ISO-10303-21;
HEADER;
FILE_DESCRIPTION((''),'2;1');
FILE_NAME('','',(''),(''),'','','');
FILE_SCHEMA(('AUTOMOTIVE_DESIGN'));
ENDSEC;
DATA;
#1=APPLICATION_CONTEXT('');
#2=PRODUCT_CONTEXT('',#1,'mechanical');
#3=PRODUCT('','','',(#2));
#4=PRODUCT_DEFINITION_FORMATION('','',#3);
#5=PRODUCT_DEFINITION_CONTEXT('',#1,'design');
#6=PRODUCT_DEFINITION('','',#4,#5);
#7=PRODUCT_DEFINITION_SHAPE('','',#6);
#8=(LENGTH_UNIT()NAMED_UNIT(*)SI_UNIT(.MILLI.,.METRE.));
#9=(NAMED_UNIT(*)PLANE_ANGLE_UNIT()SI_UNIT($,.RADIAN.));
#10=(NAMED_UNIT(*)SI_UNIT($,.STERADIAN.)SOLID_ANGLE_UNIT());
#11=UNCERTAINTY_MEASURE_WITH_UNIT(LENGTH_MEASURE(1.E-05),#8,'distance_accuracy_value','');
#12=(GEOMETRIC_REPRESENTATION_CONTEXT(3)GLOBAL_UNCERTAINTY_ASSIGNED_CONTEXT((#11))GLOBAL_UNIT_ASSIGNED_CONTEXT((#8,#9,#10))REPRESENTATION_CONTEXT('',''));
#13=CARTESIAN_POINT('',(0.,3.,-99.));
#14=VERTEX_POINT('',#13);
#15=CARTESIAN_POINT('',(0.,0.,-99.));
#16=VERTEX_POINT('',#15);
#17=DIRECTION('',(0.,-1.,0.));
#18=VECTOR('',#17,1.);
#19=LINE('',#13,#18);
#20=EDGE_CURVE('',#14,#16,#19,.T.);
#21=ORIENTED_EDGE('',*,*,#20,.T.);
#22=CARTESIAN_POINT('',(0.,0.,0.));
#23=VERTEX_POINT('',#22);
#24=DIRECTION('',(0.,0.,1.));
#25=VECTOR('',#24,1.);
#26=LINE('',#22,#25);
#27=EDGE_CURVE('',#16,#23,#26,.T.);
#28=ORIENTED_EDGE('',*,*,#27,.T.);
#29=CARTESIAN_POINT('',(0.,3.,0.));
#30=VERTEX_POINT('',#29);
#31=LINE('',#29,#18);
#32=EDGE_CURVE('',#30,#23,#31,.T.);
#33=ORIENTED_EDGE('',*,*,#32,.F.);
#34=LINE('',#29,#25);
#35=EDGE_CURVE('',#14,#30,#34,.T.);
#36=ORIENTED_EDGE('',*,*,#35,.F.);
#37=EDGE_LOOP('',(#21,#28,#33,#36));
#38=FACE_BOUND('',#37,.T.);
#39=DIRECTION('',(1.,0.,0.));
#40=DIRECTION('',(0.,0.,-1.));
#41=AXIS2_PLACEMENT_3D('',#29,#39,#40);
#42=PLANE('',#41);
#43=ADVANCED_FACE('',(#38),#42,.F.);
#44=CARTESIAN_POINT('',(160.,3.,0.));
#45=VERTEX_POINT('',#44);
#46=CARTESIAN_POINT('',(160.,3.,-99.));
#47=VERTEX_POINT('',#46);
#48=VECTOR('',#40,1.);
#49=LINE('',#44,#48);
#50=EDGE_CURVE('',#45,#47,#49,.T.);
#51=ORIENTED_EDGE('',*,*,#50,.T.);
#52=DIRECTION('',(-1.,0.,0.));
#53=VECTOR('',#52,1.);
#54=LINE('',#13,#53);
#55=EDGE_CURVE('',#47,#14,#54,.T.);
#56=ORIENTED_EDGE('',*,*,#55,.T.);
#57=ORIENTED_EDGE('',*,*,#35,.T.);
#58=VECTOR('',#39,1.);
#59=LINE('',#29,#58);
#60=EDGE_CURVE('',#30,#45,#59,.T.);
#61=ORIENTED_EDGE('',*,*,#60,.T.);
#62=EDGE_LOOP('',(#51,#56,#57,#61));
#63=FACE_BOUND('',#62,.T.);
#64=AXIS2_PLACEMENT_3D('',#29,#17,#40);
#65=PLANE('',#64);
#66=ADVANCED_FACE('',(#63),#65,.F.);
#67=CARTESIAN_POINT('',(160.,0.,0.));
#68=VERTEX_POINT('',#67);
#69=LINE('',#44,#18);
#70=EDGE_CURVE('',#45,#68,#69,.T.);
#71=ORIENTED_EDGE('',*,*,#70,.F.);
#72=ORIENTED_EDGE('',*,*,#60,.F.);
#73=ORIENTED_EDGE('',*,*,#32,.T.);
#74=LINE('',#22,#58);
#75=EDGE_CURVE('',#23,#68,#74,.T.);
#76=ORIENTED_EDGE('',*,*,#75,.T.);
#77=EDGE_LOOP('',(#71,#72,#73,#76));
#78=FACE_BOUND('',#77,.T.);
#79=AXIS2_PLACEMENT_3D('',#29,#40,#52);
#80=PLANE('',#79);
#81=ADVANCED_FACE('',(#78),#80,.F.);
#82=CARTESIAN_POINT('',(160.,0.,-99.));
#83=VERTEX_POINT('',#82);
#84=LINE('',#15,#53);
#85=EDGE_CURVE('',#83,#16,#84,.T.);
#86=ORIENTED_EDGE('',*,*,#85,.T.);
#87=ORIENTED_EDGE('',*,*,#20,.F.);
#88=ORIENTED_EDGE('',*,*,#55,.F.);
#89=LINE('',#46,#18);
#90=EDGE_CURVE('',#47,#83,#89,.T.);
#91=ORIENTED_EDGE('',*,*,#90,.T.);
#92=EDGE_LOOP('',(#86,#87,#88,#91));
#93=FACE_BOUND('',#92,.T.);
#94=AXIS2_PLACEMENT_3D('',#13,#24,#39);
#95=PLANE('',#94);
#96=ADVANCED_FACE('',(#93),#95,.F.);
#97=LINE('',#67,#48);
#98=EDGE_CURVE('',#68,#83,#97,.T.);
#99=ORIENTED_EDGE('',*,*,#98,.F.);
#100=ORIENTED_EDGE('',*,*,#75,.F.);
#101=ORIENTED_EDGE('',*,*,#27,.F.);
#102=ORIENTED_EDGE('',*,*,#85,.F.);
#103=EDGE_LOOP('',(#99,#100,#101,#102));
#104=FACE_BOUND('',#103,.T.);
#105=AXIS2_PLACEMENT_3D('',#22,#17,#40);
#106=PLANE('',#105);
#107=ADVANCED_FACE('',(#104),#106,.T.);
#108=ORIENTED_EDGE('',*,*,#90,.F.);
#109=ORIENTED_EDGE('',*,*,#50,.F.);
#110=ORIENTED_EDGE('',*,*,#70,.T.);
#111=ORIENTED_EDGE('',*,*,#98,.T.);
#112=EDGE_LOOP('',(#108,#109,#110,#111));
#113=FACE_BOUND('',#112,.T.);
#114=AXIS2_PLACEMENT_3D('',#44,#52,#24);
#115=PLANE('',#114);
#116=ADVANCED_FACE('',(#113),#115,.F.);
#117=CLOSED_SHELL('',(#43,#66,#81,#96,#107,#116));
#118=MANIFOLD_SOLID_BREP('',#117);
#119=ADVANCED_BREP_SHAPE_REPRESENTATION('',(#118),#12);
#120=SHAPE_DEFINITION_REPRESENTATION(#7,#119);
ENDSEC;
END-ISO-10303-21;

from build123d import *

# Parameters (mm, degrees)
SKETCH1_W           = 160
SKETCH1_H           = 99
BOSS_EXTRUDE1_DEPTH = 3


with BuildPart() as part:
    # Sketch1 → Boss-Extrude1 (new body)
    with BuildSketch(Plane(origin=(0, 0, 0), x_dir=(1, 0, 0), z_dir=(0, 1, 0))):
        with Locations((80, 49.5)):
            Rectangle(SKETCH1_W, SKETCH1_H)
    extrude(amount=BOSS_EXTRUDE1_DEPTH)


solid = part.part
